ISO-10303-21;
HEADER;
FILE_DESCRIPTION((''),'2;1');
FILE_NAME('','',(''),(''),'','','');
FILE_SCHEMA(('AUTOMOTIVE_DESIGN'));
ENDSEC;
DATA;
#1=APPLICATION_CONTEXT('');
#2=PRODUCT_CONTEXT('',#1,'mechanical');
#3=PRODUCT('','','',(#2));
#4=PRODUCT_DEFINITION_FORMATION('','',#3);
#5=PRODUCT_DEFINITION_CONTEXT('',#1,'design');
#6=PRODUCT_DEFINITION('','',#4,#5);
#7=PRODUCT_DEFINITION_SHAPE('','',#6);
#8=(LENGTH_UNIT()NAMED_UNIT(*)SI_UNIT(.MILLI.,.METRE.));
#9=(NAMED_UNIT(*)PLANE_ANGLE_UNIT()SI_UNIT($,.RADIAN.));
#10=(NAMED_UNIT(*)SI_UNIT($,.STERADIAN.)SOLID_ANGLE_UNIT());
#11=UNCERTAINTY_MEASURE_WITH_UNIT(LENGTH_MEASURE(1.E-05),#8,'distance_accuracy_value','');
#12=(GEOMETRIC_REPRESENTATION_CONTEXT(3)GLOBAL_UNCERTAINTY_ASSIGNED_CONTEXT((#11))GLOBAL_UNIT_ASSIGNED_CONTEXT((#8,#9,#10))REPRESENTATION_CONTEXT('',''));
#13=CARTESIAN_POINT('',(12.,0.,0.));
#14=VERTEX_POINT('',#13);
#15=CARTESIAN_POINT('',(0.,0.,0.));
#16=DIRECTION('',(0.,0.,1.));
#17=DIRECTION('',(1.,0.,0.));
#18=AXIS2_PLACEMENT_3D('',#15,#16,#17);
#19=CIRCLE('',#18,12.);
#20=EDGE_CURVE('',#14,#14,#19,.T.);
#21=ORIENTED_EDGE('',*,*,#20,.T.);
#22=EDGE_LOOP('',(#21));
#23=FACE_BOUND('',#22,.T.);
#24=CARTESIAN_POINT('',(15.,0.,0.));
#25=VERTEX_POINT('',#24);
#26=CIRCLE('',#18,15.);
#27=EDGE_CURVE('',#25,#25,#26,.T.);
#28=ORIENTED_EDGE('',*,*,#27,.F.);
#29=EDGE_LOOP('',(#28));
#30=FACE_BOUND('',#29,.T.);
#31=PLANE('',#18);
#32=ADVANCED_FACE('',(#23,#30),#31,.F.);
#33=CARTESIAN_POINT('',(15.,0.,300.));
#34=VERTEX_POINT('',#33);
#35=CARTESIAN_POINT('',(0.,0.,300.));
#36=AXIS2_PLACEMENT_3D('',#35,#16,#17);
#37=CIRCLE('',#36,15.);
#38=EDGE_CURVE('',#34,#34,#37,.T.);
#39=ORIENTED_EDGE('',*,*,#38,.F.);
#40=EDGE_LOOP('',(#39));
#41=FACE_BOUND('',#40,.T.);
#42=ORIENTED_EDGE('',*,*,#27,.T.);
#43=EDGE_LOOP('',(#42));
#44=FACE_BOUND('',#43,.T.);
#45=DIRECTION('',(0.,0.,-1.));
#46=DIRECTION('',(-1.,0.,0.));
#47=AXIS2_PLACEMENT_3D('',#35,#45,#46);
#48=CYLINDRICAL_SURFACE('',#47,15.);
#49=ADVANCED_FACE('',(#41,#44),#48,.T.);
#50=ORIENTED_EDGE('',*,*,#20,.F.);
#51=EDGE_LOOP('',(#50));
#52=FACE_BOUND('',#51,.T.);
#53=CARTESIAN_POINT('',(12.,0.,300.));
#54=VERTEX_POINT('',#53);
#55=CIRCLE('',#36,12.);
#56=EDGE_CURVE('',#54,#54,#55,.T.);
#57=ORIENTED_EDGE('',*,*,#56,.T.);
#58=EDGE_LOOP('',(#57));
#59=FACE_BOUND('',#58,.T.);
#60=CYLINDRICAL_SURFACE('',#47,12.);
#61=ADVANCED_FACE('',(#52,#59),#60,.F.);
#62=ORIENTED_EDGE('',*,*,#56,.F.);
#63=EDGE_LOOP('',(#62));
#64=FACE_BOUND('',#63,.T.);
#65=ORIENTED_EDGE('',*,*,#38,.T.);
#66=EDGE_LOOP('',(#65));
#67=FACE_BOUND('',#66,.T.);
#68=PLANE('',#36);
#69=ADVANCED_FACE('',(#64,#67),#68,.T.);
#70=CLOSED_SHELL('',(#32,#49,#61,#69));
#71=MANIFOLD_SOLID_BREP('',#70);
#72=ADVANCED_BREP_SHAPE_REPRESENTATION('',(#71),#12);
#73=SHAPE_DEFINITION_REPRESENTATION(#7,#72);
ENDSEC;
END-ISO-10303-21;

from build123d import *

# Parameters (mm, degrees)
SZKIC1_R                    = 15
SZKIC1_R_2                  = 12
DODANIE_WYCI_GNI_CIE1_DEPTH = 300


with BuildPart() as part:
    # Szkic1 → Dodanie-wyciągnięcie1 (new body)
    with BuildSketch(Plane.XY):
        Circle(SZKIC1_R)
        Circle(SZKIC1_R_2, mode=Mode.SUBTRACT)
    extrude(amount=DODANIE_WYCI_GNI_CIE1_DEPTH)


solid = part.part
